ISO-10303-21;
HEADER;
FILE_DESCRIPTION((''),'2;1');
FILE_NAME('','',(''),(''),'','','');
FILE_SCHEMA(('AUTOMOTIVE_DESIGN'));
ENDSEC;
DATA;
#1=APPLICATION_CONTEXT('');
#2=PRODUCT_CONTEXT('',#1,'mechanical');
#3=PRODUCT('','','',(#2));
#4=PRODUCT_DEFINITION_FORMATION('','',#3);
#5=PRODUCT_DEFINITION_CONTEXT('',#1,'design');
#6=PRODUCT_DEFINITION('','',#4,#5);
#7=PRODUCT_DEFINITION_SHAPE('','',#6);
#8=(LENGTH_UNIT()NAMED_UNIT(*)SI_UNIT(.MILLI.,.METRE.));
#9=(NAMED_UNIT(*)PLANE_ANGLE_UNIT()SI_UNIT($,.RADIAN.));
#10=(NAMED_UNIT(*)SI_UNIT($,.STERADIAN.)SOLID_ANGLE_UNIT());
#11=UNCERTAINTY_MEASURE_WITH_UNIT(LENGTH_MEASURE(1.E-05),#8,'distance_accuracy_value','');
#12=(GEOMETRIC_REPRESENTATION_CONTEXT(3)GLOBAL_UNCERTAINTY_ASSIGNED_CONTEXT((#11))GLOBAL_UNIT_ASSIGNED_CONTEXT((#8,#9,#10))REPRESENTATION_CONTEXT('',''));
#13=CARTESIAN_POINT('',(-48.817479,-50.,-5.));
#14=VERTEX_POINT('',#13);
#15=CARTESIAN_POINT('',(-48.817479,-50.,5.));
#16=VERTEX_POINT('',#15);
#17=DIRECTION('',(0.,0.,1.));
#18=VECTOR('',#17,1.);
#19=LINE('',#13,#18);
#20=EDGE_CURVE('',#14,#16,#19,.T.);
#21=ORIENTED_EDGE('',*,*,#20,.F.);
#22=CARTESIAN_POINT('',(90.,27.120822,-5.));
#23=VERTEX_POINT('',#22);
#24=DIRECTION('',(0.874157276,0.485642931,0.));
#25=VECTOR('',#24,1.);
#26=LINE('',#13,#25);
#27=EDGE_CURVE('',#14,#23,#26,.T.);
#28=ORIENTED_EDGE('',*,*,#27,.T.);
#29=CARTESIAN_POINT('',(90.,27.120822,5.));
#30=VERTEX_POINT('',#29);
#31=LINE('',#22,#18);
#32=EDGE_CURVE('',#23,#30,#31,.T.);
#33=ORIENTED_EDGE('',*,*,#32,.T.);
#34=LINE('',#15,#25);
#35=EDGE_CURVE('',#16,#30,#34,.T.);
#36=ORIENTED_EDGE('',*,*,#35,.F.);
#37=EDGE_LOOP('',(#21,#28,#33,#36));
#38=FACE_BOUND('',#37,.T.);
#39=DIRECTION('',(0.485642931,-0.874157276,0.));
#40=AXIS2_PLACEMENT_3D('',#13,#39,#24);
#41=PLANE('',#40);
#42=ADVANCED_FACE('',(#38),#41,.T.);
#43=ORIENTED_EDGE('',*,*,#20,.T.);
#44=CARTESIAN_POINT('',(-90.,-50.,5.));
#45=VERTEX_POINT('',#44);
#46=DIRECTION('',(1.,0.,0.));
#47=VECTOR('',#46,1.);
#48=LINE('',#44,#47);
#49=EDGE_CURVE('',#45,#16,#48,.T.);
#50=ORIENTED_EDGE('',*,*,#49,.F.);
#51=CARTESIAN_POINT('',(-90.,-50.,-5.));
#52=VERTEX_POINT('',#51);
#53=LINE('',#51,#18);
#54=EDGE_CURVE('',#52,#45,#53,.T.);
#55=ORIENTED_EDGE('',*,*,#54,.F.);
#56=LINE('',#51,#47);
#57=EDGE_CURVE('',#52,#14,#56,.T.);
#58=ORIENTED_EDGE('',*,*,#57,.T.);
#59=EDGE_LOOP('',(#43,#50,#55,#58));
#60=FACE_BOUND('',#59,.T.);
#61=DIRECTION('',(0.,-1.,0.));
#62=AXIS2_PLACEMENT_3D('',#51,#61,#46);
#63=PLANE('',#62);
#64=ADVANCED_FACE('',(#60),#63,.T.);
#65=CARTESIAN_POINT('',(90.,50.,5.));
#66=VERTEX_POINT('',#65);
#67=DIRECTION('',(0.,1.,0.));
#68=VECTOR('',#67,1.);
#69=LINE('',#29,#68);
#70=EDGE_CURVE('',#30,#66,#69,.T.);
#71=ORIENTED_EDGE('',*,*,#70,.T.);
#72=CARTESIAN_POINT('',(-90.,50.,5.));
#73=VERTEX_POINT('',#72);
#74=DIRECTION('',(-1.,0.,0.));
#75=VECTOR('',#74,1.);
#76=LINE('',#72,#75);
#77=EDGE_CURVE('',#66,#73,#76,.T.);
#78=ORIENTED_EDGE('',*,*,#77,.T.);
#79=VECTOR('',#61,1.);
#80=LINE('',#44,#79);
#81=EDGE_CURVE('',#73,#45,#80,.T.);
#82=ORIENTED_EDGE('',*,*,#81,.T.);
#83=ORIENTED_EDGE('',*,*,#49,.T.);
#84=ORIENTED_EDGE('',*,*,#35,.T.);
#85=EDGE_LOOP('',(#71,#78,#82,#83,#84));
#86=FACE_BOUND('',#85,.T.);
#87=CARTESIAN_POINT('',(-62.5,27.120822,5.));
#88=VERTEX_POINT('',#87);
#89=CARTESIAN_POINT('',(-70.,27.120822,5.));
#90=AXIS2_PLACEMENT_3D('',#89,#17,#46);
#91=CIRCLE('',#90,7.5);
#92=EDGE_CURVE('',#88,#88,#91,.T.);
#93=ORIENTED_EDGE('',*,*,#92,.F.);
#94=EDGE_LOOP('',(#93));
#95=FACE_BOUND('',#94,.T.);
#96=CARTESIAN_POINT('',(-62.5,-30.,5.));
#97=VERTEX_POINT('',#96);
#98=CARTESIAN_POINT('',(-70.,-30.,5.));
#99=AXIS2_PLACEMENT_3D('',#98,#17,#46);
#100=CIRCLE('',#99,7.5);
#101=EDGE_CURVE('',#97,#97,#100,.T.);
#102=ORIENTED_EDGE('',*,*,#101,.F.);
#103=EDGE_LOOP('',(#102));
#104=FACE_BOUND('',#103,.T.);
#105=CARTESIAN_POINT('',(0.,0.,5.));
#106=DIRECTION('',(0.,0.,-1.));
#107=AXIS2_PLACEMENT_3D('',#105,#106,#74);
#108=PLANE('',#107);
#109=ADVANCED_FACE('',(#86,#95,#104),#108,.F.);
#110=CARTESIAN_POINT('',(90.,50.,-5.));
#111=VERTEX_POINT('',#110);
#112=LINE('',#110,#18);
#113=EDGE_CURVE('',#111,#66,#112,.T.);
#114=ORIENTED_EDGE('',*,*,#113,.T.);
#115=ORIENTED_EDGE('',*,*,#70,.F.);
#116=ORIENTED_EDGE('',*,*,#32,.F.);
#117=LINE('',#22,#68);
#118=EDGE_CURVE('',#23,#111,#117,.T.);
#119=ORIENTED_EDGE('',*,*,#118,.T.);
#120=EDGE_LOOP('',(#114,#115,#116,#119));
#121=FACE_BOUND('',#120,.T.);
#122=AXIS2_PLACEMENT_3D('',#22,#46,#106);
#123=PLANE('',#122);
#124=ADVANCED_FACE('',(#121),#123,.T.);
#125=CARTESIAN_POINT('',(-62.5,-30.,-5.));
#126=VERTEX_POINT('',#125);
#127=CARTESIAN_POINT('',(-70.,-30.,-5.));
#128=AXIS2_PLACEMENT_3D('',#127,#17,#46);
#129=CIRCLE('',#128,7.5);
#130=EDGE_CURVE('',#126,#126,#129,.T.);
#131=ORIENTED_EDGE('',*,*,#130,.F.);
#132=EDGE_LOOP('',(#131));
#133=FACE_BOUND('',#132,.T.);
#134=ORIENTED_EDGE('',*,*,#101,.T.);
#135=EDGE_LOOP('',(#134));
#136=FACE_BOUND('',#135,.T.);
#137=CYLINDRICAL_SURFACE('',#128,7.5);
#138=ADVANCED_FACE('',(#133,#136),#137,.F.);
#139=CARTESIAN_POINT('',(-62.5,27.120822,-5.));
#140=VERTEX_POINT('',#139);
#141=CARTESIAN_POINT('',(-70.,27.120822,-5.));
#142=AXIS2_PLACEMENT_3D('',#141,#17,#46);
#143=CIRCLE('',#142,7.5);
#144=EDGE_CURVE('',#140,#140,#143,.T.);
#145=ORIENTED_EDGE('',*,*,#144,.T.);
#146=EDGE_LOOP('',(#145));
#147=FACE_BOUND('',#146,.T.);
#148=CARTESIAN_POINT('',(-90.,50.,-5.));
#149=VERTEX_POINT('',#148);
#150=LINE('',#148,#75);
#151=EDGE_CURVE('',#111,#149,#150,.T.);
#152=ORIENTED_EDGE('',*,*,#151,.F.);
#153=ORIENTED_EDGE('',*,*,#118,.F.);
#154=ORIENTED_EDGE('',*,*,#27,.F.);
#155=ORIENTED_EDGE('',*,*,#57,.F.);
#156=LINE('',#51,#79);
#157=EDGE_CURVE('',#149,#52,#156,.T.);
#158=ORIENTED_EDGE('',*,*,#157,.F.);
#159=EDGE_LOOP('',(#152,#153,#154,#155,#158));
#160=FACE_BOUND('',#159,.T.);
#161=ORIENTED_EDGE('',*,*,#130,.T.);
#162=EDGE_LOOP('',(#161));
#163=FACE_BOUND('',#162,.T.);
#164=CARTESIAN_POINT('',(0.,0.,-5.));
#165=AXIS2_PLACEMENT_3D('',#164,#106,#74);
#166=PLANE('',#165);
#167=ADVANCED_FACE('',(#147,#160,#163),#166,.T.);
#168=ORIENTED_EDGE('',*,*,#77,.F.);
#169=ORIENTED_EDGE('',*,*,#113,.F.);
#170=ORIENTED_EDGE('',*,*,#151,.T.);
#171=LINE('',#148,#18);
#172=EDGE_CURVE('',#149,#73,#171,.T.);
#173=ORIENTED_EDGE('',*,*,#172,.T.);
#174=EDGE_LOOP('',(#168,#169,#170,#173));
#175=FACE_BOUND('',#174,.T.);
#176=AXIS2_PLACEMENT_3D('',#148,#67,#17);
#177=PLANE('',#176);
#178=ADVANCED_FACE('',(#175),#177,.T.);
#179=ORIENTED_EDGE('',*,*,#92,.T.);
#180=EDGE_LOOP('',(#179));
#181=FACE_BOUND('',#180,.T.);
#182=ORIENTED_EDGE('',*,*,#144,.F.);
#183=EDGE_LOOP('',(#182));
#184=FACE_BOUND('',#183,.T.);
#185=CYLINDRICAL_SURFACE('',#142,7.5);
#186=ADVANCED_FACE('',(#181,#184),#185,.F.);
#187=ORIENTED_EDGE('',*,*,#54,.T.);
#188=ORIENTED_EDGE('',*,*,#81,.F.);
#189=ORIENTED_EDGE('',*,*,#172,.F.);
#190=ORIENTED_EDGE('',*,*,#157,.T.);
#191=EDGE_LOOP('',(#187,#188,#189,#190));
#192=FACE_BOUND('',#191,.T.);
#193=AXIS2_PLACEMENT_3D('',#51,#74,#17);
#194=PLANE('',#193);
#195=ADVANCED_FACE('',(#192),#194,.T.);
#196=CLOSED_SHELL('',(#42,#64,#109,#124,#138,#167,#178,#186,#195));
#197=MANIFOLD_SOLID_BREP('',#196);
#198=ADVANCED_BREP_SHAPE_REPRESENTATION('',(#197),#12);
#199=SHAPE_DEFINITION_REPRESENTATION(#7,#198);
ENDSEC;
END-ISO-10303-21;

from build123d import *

# Parameters (mm, degrees)
BOSS_EXTRUDE1_DEPTH      = 5
BOSS_EXTRUDE1_DEPTH_BACK = 5
SKETCH1_R                = 7.5


with BuildPart() as part:
    # Sketch1 → Boss-Extrude1 (new, two sides: drawn at the far end of the back side and taken through both)
    with BuildSketch(Plane.XY.offset(-BOSS_EXTRUDE1_DEPTH_BACK)):
        Polygon((-90, -50), (-48.817479436, -50), (90, 27.120821909), (90, 50), (-90, 50), align=None)
        with Locations((-70, 27.120821909)):
            Circle(SKETCH1_R, mode=Mode.SUBTRACT)
        with Locations((-70, -30)):
            Circle(SKETCH1_R, mode=Mode.SUBTRACT)
    extrude(amount=BOSS_EXTRUDE1_DEPTH + BOSS_EXTRUDE1_DEPTH_BACK)


solid = part.part
